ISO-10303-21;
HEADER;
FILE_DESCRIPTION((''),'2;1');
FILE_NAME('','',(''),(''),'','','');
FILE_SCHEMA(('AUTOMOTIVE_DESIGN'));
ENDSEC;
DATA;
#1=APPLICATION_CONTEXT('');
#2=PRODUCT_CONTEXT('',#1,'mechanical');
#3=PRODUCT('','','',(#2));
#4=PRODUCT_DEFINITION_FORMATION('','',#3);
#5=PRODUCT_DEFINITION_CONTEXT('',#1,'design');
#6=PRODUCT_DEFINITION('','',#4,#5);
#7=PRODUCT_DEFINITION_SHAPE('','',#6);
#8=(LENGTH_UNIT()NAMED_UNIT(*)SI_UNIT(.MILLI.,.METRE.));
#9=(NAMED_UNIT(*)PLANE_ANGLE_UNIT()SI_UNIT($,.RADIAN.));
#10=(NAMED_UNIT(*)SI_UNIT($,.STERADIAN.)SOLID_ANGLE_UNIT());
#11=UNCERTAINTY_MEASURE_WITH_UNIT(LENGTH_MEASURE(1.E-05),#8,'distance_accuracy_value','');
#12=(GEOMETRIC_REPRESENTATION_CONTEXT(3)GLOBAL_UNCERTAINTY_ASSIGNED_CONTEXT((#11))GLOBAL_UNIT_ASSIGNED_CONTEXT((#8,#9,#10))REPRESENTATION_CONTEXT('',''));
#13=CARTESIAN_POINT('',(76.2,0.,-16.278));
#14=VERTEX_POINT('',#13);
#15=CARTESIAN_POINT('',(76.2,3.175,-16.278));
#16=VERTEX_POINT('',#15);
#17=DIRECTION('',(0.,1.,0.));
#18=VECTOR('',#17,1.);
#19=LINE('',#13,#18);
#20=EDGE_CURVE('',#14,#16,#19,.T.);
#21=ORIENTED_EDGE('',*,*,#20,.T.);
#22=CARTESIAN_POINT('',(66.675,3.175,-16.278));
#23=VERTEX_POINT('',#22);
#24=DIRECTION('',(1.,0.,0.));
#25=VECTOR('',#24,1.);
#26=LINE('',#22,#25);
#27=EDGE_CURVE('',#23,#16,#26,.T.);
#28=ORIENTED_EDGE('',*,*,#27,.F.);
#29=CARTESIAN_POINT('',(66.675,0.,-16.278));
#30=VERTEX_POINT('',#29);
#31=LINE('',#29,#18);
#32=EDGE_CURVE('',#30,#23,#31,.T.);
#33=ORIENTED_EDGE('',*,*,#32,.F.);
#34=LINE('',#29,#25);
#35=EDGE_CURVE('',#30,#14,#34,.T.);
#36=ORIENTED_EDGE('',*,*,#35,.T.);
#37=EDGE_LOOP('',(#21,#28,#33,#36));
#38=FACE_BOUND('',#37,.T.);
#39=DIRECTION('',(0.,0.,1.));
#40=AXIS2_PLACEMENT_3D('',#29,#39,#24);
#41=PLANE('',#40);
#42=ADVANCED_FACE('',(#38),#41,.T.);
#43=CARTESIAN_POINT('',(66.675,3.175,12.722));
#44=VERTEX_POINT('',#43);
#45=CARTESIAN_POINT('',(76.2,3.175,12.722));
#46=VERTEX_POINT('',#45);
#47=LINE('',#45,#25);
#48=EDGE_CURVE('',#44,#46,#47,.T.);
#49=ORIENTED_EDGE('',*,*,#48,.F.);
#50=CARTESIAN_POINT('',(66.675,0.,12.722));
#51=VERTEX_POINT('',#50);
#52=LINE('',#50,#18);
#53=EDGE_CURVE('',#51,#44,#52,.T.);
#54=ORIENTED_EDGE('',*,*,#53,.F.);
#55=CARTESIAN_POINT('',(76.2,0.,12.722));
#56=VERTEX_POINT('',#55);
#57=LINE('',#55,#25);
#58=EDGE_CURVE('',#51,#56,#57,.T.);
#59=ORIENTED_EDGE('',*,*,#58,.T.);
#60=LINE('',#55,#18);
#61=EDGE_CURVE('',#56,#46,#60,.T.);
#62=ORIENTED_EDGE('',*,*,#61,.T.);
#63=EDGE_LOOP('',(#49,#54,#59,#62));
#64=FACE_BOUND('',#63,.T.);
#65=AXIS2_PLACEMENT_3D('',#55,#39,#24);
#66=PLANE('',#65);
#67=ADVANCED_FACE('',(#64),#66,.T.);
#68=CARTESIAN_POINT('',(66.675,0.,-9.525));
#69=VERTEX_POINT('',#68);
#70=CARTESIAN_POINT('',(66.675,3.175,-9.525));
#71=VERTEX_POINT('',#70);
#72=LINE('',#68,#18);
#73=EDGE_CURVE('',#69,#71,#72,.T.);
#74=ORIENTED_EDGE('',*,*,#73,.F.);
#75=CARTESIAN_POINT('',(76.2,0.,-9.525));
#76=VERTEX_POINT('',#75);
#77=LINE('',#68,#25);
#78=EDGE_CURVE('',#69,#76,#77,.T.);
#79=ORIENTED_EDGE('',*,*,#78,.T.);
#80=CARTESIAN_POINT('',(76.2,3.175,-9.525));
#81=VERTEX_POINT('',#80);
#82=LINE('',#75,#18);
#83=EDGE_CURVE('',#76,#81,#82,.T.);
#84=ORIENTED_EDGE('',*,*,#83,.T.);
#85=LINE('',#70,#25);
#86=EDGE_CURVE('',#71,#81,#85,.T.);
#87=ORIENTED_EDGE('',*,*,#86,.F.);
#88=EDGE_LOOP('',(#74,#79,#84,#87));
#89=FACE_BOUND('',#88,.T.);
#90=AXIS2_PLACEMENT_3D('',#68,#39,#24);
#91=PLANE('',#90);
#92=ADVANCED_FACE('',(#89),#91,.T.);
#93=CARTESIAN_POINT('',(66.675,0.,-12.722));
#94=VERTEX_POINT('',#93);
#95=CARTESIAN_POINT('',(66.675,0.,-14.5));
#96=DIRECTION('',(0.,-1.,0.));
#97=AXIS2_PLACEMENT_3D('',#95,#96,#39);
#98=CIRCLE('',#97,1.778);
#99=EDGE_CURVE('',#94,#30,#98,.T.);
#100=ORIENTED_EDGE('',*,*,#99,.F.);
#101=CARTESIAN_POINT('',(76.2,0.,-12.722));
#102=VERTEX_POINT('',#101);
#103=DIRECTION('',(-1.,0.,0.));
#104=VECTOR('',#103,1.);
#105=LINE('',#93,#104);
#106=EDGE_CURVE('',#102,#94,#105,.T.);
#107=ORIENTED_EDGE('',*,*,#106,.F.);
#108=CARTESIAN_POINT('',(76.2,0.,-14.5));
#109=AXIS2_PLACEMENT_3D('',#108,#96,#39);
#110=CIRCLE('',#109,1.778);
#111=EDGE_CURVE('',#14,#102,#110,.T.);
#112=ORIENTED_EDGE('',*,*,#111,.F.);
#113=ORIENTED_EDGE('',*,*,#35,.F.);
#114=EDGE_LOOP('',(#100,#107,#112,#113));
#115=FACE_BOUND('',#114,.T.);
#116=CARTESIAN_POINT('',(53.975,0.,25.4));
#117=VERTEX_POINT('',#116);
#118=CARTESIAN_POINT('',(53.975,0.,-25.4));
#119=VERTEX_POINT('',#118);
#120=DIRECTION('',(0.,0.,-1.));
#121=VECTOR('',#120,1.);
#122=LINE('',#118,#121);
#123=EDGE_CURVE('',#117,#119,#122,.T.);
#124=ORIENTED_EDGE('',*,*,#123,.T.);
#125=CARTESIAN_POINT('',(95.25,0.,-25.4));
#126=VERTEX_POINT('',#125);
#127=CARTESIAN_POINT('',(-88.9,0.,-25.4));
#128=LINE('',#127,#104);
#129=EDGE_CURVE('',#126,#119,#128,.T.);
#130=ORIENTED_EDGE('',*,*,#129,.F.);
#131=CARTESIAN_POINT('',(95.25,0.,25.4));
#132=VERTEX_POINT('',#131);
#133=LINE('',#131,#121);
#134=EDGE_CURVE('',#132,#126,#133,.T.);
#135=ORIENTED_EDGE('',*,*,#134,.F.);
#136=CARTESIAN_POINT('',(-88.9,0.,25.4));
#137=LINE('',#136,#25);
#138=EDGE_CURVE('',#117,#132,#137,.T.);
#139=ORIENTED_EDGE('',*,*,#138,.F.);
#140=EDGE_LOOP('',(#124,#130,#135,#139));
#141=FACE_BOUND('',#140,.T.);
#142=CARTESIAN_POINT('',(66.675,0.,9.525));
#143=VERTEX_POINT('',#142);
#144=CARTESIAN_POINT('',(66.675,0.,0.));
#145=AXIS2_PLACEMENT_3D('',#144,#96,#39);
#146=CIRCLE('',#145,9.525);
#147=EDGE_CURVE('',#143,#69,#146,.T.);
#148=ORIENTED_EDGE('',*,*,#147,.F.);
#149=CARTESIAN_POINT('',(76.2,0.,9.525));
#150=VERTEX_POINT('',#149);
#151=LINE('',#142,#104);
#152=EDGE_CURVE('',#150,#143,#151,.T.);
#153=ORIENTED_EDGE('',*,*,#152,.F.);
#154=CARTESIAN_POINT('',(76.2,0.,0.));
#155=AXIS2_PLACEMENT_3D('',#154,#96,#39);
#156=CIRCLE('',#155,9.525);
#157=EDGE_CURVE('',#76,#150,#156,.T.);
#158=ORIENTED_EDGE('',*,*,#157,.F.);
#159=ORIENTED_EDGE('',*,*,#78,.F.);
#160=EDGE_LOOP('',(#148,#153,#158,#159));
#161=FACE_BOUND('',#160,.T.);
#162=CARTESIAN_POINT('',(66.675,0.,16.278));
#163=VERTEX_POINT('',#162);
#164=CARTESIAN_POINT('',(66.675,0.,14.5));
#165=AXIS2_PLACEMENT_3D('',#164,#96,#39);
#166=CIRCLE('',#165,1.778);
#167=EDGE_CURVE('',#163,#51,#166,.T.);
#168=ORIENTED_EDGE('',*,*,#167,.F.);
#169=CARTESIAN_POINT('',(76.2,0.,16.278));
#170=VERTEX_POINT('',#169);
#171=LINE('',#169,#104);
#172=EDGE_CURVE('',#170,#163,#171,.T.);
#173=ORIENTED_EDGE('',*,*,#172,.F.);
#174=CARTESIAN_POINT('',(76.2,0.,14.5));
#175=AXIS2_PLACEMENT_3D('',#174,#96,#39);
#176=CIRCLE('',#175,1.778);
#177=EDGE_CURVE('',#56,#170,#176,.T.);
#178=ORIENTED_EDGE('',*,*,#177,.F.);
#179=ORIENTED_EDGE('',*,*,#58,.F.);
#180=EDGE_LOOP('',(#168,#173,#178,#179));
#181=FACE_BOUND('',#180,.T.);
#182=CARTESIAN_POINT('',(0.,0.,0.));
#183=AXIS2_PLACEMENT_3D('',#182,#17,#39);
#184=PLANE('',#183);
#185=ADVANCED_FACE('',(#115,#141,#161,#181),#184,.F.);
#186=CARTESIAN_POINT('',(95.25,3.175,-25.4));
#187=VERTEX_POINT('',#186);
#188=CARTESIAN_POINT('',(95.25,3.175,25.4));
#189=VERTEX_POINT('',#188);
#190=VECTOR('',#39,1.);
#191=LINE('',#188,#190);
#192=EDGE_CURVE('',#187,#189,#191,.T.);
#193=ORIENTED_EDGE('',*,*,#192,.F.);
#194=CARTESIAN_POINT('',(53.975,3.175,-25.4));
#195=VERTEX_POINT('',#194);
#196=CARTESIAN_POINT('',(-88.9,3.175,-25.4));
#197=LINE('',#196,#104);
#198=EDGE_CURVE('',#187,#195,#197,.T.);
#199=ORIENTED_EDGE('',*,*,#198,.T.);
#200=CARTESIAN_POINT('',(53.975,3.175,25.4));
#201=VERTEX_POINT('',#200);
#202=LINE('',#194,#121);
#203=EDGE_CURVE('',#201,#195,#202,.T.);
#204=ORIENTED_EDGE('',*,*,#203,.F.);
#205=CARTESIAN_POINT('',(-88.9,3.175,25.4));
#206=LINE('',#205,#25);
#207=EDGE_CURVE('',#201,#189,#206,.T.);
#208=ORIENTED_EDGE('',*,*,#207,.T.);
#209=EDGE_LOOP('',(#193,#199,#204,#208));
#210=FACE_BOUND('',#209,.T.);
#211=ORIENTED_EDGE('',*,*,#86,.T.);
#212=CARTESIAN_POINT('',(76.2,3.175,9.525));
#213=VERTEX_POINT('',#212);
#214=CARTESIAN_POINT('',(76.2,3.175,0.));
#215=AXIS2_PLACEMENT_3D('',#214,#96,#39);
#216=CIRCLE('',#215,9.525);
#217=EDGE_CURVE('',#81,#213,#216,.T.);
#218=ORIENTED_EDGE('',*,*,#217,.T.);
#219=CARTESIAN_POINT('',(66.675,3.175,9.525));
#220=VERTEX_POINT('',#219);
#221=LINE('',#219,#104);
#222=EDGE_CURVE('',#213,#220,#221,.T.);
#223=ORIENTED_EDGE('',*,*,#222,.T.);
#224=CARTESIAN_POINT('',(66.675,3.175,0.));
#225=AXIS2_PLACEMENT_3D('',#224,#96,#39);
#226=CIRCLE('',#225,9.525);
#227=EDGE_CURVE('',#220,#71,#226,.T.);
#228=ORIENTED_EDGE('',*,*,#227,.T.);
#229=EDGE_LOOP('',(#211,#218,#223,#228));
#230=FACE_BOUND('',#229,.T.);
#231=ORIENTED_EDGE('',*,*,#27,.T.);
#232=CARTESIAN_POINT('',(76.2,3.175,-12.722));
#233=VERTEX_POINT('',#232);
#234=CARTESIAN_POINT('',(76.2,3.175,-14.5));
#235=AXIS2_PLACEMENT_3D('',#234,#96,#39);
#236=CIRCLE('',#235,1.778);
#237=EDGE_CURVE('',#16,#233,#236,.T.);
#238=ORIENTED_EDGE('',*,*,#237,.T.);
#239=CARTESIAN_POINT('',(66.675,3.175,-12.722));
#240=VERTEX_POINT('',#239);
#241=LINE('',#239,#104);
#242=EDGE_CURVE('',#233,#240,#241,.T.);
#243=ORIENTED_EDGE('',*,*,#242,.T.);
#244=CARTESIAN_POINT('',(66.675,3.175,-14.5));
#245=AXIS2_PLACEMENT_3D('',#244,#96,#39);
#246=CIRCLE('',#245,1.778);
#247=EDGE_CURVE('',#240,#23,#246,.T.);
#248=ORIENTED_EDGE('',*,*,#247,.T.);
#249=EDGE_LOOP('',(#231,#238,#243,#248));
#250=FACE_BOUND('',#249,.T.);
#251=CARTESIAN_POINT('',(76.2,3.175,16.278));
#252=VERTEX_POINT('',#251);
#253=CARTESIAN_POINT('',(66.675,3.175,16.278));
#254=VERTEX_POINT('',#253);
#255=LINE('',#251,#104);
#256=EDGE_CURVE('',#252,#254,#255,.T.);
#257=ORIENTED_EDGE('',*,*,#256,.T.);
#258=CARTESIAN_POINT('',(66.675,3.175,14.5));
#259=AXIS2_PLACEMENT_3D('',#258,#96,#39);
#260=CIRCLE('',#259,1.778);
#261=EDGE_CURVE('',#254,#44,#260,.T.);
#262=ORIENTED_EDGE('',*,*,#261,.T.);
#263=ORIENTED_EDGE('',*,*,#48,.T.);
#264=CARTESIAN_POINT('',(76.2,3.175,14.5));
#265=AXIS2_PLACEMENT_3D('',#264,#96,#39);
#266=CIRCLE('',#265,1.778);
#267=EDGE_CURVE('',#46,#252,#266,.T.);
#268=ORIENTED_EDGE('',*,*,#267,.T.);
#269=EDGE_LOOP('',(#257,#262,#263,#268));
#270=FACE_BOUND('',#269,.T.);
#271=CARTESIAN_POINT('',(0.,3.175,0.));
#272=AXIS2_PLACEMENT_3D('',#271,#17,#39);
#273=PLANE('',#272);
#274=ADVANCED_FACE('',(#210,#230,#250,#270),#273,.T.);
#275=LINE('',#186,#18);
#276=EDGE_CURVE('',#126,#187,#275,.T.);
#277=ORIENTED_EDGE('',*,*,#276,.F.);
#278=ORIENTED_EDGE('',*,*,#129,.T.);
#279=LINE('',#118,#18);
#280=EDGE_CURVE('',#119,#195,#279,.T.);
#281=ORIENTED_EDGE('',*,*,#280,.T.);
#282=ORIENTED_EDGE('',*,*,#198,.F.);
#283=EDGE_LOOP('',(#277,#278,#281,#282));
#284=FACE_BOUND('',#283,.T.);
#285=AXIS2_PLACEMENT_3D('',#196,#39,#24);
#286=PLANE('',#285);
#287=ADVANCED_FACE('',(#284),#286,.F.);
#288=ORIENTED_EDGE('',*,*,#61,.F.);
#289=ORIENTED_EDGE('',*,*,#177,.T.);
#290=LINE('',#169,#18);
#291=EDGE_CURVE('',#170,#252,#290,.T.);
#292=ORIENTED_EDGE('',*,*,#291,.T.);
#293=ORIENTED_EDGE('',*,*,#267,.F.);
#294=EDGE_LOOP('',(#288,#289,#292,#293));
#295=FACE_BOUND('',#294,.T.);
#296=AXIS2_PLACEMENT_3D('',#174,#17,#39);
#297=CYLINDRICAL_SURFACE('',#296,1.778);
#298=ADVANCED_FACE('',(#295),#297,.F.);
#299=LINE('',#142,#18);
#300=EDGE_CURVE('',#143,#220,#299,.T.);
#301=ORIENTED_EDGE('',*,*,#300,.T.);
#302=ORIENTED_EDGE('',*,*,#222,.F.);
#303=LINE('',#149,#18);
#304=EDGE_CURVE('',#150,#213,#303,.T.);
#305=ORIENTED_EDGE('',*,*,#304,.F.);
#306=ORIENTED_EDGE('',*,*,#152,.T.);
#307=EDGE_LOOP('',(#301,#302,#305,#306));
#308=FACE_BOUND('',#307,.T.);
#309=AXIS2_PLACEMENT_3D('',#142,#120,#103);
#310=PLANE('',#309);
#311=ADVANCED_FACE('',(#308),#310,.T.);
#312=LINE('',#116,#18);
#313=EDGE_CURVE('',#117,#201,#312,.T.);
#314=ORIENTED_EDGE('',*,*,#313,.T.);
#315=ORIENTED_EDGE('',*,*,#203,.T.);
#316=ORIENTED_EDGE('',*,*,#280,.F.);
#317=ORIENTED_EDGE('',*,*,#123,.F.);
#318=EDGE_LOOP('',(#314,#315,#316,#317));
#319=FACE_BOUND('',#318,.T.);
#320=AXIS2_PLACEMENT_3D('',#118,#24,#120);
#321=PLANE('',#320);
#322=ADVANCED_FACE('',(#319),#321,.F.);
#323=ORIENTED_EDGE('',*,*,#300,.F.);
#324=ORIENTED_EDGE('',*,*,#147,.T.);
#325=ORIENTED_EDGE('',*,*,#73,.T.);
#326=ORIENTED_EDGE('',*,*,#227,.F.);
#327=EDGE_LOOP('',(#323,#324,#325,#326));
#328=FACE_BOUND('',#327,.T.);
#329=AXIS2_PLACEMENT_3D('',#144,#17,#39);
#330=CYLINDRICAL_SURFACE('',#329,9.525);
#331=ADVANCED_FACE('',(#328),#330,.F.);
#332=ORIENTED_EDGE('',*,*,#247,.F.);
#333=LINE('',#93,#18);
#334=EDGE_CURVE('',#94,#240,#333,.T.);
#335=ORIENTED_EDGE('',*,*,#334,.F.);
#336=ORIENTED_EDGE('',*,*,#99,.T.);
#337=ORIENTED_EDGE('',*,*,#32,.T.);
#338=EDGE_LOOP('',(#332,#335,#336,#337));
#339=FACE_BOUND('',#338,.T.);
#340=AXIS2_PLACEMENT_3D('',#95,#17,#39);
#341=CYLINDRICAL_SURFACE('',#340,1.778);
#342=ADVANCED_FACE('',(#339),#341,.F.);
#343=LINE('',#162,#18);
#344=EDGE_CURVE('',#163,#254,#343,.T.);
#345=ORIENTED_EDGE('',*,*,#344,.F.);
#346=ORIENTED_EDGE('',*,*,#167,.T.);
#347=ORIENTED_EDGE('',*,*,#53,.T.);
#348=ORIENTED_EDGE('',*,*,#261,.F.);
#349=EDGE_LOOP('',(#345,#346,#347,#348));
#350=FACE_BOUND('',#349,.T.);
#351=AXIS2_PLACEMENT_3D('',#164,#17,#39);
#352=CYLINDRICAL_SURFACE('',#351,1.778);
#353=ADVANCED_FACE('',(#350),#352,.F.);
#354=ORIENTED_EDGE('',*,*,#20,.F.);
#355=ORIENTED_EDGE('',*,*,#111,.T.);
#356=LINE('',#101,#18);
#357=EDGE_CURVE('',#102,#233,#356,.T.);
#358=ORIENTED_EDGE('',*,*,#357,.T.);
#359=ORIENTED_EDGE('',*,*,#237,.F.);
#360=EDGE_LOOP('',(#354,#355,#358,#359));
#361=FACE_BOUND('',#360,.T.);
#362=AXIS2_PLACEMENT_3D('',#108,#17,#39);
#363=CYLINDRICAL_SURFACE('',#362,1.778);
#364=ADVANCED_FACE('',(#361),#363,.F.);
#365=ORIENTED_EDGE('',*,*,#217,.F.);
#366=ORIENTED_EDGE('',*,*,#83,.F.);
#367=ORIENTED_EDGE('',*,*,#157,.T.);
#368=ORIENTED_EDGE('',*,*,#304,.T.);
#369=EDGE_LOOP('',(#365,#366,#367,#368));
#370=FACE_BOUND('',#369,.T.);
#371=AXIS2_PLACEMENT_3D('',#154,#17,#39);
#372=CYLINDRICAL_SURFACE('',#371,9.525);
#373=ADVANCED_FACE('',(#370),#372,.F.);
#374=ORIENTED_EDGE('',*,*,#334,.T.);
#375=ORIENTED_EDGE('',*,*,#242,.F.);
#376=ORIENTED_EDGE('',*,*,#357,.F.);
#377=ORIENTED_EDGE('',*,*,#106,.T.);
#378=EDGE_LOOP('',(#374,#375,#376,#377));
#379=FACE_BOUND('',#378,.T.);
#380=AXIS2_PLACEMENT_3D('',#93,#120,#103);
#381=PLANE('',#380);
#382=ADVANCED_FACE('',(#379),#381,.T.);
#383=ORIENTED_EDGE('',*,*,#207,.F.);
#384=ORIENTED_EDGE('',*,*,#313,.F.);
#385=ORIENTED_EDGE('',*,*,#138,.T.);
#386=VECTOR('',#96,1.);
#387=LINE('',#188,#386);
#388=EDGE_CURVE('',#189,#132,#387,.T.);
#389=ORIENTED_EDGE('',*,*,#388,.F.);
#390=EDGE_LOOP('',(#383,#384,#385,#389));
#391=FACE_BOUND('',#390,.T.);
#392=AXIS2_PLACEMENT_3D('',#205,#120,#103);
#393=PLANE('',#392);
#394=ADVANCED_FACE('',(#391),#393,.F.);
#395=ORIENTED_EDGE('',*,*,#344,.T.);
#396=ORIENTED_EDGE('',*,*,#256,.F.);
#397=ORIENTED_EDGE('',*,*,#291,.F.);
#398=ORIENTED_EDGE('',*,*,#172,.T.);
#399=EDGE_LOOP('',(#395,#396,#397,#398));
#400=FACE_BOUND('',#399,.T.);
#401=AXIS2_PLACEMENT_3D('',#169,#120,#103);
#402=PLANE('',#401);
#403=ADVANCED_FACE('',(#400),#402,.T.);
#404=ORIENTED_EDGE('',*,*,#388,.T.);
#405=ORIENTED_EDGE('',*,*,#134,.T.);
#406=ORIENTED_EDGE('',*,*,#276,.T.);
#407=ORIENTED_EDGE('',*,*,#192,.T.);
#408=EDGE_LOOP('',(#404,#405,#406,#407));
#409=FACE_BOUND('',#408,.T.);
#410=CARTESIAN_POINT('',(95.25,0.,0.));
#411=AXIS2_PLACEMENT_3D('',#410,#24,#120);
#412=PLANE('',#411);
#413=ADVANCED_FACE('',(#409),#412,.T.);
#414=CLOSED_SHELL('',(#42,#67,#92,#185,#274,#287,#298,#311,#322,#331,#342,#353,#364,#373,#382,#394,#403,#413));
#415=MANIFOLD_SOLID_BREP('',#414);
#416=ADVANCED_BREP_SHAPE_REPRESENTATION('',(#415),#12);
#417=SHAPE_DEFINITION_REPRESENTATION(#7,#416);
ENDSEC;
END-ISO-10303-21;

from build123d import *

# Parameters (mm, degrees)
SKETCH1_W           = 177.8
SKETCH1_H           = 50.8
BOSS_EXTRUDE1_DEPTH = 3.175
CUT_EXTRUDE1_DEPTH  = 3.175
SKETCH6_W           = 142.875
SKETCH6_H           = 50.8
CUT_EXTRUDE3_DEPTH  = 3.175
SKETCH8_W           = 50.8
SKETCH8_H           = 3.175
BOSS_EXTRUDE2_DEPTH = 6.35


with BuildPart() as part:
    # Sketch1 → Boss-Extrude1 (new body)
    with BuildSketch(Plane(origin=(0, 0, 0), x_dir=(1, 0, 0), z_dir=(0, 1, 0))):
        Rectangle(SKETCH1_W, SKETCH1_H)
    extrude(amount=BOSS_EXTRUDE1_DEPTH)

    # Sketch2 → Cut-Extrude1 (cut)
    with BuildSketch(Plane(origin=(0, 3.175, 0), x_dir=(1, 0, 0), z_dir=(0, 1, 0))):
        with BuildLine():
            Line((-76.2, -12.722), (-66.675, -12.722))
            ThreePointArc((-66.675, -12.722), (-64.897, -14.5), (-66.675, -16.278))
            Line((-66.675, -16.278), (-76.2, -16.278))
            ThreePointArc((-76.2, -16.278), (-77.978, -14.5), (-76.2, -12.722))
        make_face()
        with BuildLine():
            Line((-66.675, 12.722), (-76.2, 12.722))
            ThreePointArc((-76.2, 12.722), (-77.978, 14.5), (-76.2, 16.278))
            Line((-76.2, 16.278), (-66.675, 16.278))
            ThreePointArc((-66.675, 16.278), (-64.897, 14.5), (-66.675, 12.722))
        make_face()
        with BuildLine():
            Line((-66.675, -9.525), (-76.2, -9.525))
            ThreePointArc((-76.2, -9.525), (-85.725, 0), (-76.2, 9.525))
            Line((-76.2, 9.525), (-66.675, 9.525))
            ThreePointArc((-66.675, 9.525), (-57.15, 0), (-66.675, -9.525))
        make_face()
    cut_extrude1 = extrude(amount=-CUT_EXTRUDE1_DEPTH, mode=Mode.SUBTRACT)

    # Mirror1: Cut-Extrude1 across plane
    add(cut_extrude1.mirror(Plane(origin=(0, 0, 0), x_dir=(0, 0, 1), z_dir=(1, 0, 0))), mode=Mode.SUBTRACT)

    # Sketch6 → Cut-Extrude3 (cut)
    with BuildSketch(Plane(origin=(0, 3.175, 0), x_dir=(1, 0, 0), z_dir=(0, 1, 0))):
        with Locations((-17.4625, 0)):
            Rectangle(SKETCH6_W, SKETCH6_H)
    extrude(amount=-CUT_EXTRUDE3_DEPTH, mode=Mode.SUBTRACT)

    # Sketch8 → Boss-Extrude2 (add)
    with BuildSketch(Plane(origin=(88.9, 0, 0), x_dir=(0, 0, -1), z_dir=(1, 0, 0))):
        with Locations((0, 1.5875)):
            Rectangle(SKETCH8_W, SKETCH8_H)
    extrude(amount=BOSS_EXTRUDE2_DEPTH)


solid = part.part
